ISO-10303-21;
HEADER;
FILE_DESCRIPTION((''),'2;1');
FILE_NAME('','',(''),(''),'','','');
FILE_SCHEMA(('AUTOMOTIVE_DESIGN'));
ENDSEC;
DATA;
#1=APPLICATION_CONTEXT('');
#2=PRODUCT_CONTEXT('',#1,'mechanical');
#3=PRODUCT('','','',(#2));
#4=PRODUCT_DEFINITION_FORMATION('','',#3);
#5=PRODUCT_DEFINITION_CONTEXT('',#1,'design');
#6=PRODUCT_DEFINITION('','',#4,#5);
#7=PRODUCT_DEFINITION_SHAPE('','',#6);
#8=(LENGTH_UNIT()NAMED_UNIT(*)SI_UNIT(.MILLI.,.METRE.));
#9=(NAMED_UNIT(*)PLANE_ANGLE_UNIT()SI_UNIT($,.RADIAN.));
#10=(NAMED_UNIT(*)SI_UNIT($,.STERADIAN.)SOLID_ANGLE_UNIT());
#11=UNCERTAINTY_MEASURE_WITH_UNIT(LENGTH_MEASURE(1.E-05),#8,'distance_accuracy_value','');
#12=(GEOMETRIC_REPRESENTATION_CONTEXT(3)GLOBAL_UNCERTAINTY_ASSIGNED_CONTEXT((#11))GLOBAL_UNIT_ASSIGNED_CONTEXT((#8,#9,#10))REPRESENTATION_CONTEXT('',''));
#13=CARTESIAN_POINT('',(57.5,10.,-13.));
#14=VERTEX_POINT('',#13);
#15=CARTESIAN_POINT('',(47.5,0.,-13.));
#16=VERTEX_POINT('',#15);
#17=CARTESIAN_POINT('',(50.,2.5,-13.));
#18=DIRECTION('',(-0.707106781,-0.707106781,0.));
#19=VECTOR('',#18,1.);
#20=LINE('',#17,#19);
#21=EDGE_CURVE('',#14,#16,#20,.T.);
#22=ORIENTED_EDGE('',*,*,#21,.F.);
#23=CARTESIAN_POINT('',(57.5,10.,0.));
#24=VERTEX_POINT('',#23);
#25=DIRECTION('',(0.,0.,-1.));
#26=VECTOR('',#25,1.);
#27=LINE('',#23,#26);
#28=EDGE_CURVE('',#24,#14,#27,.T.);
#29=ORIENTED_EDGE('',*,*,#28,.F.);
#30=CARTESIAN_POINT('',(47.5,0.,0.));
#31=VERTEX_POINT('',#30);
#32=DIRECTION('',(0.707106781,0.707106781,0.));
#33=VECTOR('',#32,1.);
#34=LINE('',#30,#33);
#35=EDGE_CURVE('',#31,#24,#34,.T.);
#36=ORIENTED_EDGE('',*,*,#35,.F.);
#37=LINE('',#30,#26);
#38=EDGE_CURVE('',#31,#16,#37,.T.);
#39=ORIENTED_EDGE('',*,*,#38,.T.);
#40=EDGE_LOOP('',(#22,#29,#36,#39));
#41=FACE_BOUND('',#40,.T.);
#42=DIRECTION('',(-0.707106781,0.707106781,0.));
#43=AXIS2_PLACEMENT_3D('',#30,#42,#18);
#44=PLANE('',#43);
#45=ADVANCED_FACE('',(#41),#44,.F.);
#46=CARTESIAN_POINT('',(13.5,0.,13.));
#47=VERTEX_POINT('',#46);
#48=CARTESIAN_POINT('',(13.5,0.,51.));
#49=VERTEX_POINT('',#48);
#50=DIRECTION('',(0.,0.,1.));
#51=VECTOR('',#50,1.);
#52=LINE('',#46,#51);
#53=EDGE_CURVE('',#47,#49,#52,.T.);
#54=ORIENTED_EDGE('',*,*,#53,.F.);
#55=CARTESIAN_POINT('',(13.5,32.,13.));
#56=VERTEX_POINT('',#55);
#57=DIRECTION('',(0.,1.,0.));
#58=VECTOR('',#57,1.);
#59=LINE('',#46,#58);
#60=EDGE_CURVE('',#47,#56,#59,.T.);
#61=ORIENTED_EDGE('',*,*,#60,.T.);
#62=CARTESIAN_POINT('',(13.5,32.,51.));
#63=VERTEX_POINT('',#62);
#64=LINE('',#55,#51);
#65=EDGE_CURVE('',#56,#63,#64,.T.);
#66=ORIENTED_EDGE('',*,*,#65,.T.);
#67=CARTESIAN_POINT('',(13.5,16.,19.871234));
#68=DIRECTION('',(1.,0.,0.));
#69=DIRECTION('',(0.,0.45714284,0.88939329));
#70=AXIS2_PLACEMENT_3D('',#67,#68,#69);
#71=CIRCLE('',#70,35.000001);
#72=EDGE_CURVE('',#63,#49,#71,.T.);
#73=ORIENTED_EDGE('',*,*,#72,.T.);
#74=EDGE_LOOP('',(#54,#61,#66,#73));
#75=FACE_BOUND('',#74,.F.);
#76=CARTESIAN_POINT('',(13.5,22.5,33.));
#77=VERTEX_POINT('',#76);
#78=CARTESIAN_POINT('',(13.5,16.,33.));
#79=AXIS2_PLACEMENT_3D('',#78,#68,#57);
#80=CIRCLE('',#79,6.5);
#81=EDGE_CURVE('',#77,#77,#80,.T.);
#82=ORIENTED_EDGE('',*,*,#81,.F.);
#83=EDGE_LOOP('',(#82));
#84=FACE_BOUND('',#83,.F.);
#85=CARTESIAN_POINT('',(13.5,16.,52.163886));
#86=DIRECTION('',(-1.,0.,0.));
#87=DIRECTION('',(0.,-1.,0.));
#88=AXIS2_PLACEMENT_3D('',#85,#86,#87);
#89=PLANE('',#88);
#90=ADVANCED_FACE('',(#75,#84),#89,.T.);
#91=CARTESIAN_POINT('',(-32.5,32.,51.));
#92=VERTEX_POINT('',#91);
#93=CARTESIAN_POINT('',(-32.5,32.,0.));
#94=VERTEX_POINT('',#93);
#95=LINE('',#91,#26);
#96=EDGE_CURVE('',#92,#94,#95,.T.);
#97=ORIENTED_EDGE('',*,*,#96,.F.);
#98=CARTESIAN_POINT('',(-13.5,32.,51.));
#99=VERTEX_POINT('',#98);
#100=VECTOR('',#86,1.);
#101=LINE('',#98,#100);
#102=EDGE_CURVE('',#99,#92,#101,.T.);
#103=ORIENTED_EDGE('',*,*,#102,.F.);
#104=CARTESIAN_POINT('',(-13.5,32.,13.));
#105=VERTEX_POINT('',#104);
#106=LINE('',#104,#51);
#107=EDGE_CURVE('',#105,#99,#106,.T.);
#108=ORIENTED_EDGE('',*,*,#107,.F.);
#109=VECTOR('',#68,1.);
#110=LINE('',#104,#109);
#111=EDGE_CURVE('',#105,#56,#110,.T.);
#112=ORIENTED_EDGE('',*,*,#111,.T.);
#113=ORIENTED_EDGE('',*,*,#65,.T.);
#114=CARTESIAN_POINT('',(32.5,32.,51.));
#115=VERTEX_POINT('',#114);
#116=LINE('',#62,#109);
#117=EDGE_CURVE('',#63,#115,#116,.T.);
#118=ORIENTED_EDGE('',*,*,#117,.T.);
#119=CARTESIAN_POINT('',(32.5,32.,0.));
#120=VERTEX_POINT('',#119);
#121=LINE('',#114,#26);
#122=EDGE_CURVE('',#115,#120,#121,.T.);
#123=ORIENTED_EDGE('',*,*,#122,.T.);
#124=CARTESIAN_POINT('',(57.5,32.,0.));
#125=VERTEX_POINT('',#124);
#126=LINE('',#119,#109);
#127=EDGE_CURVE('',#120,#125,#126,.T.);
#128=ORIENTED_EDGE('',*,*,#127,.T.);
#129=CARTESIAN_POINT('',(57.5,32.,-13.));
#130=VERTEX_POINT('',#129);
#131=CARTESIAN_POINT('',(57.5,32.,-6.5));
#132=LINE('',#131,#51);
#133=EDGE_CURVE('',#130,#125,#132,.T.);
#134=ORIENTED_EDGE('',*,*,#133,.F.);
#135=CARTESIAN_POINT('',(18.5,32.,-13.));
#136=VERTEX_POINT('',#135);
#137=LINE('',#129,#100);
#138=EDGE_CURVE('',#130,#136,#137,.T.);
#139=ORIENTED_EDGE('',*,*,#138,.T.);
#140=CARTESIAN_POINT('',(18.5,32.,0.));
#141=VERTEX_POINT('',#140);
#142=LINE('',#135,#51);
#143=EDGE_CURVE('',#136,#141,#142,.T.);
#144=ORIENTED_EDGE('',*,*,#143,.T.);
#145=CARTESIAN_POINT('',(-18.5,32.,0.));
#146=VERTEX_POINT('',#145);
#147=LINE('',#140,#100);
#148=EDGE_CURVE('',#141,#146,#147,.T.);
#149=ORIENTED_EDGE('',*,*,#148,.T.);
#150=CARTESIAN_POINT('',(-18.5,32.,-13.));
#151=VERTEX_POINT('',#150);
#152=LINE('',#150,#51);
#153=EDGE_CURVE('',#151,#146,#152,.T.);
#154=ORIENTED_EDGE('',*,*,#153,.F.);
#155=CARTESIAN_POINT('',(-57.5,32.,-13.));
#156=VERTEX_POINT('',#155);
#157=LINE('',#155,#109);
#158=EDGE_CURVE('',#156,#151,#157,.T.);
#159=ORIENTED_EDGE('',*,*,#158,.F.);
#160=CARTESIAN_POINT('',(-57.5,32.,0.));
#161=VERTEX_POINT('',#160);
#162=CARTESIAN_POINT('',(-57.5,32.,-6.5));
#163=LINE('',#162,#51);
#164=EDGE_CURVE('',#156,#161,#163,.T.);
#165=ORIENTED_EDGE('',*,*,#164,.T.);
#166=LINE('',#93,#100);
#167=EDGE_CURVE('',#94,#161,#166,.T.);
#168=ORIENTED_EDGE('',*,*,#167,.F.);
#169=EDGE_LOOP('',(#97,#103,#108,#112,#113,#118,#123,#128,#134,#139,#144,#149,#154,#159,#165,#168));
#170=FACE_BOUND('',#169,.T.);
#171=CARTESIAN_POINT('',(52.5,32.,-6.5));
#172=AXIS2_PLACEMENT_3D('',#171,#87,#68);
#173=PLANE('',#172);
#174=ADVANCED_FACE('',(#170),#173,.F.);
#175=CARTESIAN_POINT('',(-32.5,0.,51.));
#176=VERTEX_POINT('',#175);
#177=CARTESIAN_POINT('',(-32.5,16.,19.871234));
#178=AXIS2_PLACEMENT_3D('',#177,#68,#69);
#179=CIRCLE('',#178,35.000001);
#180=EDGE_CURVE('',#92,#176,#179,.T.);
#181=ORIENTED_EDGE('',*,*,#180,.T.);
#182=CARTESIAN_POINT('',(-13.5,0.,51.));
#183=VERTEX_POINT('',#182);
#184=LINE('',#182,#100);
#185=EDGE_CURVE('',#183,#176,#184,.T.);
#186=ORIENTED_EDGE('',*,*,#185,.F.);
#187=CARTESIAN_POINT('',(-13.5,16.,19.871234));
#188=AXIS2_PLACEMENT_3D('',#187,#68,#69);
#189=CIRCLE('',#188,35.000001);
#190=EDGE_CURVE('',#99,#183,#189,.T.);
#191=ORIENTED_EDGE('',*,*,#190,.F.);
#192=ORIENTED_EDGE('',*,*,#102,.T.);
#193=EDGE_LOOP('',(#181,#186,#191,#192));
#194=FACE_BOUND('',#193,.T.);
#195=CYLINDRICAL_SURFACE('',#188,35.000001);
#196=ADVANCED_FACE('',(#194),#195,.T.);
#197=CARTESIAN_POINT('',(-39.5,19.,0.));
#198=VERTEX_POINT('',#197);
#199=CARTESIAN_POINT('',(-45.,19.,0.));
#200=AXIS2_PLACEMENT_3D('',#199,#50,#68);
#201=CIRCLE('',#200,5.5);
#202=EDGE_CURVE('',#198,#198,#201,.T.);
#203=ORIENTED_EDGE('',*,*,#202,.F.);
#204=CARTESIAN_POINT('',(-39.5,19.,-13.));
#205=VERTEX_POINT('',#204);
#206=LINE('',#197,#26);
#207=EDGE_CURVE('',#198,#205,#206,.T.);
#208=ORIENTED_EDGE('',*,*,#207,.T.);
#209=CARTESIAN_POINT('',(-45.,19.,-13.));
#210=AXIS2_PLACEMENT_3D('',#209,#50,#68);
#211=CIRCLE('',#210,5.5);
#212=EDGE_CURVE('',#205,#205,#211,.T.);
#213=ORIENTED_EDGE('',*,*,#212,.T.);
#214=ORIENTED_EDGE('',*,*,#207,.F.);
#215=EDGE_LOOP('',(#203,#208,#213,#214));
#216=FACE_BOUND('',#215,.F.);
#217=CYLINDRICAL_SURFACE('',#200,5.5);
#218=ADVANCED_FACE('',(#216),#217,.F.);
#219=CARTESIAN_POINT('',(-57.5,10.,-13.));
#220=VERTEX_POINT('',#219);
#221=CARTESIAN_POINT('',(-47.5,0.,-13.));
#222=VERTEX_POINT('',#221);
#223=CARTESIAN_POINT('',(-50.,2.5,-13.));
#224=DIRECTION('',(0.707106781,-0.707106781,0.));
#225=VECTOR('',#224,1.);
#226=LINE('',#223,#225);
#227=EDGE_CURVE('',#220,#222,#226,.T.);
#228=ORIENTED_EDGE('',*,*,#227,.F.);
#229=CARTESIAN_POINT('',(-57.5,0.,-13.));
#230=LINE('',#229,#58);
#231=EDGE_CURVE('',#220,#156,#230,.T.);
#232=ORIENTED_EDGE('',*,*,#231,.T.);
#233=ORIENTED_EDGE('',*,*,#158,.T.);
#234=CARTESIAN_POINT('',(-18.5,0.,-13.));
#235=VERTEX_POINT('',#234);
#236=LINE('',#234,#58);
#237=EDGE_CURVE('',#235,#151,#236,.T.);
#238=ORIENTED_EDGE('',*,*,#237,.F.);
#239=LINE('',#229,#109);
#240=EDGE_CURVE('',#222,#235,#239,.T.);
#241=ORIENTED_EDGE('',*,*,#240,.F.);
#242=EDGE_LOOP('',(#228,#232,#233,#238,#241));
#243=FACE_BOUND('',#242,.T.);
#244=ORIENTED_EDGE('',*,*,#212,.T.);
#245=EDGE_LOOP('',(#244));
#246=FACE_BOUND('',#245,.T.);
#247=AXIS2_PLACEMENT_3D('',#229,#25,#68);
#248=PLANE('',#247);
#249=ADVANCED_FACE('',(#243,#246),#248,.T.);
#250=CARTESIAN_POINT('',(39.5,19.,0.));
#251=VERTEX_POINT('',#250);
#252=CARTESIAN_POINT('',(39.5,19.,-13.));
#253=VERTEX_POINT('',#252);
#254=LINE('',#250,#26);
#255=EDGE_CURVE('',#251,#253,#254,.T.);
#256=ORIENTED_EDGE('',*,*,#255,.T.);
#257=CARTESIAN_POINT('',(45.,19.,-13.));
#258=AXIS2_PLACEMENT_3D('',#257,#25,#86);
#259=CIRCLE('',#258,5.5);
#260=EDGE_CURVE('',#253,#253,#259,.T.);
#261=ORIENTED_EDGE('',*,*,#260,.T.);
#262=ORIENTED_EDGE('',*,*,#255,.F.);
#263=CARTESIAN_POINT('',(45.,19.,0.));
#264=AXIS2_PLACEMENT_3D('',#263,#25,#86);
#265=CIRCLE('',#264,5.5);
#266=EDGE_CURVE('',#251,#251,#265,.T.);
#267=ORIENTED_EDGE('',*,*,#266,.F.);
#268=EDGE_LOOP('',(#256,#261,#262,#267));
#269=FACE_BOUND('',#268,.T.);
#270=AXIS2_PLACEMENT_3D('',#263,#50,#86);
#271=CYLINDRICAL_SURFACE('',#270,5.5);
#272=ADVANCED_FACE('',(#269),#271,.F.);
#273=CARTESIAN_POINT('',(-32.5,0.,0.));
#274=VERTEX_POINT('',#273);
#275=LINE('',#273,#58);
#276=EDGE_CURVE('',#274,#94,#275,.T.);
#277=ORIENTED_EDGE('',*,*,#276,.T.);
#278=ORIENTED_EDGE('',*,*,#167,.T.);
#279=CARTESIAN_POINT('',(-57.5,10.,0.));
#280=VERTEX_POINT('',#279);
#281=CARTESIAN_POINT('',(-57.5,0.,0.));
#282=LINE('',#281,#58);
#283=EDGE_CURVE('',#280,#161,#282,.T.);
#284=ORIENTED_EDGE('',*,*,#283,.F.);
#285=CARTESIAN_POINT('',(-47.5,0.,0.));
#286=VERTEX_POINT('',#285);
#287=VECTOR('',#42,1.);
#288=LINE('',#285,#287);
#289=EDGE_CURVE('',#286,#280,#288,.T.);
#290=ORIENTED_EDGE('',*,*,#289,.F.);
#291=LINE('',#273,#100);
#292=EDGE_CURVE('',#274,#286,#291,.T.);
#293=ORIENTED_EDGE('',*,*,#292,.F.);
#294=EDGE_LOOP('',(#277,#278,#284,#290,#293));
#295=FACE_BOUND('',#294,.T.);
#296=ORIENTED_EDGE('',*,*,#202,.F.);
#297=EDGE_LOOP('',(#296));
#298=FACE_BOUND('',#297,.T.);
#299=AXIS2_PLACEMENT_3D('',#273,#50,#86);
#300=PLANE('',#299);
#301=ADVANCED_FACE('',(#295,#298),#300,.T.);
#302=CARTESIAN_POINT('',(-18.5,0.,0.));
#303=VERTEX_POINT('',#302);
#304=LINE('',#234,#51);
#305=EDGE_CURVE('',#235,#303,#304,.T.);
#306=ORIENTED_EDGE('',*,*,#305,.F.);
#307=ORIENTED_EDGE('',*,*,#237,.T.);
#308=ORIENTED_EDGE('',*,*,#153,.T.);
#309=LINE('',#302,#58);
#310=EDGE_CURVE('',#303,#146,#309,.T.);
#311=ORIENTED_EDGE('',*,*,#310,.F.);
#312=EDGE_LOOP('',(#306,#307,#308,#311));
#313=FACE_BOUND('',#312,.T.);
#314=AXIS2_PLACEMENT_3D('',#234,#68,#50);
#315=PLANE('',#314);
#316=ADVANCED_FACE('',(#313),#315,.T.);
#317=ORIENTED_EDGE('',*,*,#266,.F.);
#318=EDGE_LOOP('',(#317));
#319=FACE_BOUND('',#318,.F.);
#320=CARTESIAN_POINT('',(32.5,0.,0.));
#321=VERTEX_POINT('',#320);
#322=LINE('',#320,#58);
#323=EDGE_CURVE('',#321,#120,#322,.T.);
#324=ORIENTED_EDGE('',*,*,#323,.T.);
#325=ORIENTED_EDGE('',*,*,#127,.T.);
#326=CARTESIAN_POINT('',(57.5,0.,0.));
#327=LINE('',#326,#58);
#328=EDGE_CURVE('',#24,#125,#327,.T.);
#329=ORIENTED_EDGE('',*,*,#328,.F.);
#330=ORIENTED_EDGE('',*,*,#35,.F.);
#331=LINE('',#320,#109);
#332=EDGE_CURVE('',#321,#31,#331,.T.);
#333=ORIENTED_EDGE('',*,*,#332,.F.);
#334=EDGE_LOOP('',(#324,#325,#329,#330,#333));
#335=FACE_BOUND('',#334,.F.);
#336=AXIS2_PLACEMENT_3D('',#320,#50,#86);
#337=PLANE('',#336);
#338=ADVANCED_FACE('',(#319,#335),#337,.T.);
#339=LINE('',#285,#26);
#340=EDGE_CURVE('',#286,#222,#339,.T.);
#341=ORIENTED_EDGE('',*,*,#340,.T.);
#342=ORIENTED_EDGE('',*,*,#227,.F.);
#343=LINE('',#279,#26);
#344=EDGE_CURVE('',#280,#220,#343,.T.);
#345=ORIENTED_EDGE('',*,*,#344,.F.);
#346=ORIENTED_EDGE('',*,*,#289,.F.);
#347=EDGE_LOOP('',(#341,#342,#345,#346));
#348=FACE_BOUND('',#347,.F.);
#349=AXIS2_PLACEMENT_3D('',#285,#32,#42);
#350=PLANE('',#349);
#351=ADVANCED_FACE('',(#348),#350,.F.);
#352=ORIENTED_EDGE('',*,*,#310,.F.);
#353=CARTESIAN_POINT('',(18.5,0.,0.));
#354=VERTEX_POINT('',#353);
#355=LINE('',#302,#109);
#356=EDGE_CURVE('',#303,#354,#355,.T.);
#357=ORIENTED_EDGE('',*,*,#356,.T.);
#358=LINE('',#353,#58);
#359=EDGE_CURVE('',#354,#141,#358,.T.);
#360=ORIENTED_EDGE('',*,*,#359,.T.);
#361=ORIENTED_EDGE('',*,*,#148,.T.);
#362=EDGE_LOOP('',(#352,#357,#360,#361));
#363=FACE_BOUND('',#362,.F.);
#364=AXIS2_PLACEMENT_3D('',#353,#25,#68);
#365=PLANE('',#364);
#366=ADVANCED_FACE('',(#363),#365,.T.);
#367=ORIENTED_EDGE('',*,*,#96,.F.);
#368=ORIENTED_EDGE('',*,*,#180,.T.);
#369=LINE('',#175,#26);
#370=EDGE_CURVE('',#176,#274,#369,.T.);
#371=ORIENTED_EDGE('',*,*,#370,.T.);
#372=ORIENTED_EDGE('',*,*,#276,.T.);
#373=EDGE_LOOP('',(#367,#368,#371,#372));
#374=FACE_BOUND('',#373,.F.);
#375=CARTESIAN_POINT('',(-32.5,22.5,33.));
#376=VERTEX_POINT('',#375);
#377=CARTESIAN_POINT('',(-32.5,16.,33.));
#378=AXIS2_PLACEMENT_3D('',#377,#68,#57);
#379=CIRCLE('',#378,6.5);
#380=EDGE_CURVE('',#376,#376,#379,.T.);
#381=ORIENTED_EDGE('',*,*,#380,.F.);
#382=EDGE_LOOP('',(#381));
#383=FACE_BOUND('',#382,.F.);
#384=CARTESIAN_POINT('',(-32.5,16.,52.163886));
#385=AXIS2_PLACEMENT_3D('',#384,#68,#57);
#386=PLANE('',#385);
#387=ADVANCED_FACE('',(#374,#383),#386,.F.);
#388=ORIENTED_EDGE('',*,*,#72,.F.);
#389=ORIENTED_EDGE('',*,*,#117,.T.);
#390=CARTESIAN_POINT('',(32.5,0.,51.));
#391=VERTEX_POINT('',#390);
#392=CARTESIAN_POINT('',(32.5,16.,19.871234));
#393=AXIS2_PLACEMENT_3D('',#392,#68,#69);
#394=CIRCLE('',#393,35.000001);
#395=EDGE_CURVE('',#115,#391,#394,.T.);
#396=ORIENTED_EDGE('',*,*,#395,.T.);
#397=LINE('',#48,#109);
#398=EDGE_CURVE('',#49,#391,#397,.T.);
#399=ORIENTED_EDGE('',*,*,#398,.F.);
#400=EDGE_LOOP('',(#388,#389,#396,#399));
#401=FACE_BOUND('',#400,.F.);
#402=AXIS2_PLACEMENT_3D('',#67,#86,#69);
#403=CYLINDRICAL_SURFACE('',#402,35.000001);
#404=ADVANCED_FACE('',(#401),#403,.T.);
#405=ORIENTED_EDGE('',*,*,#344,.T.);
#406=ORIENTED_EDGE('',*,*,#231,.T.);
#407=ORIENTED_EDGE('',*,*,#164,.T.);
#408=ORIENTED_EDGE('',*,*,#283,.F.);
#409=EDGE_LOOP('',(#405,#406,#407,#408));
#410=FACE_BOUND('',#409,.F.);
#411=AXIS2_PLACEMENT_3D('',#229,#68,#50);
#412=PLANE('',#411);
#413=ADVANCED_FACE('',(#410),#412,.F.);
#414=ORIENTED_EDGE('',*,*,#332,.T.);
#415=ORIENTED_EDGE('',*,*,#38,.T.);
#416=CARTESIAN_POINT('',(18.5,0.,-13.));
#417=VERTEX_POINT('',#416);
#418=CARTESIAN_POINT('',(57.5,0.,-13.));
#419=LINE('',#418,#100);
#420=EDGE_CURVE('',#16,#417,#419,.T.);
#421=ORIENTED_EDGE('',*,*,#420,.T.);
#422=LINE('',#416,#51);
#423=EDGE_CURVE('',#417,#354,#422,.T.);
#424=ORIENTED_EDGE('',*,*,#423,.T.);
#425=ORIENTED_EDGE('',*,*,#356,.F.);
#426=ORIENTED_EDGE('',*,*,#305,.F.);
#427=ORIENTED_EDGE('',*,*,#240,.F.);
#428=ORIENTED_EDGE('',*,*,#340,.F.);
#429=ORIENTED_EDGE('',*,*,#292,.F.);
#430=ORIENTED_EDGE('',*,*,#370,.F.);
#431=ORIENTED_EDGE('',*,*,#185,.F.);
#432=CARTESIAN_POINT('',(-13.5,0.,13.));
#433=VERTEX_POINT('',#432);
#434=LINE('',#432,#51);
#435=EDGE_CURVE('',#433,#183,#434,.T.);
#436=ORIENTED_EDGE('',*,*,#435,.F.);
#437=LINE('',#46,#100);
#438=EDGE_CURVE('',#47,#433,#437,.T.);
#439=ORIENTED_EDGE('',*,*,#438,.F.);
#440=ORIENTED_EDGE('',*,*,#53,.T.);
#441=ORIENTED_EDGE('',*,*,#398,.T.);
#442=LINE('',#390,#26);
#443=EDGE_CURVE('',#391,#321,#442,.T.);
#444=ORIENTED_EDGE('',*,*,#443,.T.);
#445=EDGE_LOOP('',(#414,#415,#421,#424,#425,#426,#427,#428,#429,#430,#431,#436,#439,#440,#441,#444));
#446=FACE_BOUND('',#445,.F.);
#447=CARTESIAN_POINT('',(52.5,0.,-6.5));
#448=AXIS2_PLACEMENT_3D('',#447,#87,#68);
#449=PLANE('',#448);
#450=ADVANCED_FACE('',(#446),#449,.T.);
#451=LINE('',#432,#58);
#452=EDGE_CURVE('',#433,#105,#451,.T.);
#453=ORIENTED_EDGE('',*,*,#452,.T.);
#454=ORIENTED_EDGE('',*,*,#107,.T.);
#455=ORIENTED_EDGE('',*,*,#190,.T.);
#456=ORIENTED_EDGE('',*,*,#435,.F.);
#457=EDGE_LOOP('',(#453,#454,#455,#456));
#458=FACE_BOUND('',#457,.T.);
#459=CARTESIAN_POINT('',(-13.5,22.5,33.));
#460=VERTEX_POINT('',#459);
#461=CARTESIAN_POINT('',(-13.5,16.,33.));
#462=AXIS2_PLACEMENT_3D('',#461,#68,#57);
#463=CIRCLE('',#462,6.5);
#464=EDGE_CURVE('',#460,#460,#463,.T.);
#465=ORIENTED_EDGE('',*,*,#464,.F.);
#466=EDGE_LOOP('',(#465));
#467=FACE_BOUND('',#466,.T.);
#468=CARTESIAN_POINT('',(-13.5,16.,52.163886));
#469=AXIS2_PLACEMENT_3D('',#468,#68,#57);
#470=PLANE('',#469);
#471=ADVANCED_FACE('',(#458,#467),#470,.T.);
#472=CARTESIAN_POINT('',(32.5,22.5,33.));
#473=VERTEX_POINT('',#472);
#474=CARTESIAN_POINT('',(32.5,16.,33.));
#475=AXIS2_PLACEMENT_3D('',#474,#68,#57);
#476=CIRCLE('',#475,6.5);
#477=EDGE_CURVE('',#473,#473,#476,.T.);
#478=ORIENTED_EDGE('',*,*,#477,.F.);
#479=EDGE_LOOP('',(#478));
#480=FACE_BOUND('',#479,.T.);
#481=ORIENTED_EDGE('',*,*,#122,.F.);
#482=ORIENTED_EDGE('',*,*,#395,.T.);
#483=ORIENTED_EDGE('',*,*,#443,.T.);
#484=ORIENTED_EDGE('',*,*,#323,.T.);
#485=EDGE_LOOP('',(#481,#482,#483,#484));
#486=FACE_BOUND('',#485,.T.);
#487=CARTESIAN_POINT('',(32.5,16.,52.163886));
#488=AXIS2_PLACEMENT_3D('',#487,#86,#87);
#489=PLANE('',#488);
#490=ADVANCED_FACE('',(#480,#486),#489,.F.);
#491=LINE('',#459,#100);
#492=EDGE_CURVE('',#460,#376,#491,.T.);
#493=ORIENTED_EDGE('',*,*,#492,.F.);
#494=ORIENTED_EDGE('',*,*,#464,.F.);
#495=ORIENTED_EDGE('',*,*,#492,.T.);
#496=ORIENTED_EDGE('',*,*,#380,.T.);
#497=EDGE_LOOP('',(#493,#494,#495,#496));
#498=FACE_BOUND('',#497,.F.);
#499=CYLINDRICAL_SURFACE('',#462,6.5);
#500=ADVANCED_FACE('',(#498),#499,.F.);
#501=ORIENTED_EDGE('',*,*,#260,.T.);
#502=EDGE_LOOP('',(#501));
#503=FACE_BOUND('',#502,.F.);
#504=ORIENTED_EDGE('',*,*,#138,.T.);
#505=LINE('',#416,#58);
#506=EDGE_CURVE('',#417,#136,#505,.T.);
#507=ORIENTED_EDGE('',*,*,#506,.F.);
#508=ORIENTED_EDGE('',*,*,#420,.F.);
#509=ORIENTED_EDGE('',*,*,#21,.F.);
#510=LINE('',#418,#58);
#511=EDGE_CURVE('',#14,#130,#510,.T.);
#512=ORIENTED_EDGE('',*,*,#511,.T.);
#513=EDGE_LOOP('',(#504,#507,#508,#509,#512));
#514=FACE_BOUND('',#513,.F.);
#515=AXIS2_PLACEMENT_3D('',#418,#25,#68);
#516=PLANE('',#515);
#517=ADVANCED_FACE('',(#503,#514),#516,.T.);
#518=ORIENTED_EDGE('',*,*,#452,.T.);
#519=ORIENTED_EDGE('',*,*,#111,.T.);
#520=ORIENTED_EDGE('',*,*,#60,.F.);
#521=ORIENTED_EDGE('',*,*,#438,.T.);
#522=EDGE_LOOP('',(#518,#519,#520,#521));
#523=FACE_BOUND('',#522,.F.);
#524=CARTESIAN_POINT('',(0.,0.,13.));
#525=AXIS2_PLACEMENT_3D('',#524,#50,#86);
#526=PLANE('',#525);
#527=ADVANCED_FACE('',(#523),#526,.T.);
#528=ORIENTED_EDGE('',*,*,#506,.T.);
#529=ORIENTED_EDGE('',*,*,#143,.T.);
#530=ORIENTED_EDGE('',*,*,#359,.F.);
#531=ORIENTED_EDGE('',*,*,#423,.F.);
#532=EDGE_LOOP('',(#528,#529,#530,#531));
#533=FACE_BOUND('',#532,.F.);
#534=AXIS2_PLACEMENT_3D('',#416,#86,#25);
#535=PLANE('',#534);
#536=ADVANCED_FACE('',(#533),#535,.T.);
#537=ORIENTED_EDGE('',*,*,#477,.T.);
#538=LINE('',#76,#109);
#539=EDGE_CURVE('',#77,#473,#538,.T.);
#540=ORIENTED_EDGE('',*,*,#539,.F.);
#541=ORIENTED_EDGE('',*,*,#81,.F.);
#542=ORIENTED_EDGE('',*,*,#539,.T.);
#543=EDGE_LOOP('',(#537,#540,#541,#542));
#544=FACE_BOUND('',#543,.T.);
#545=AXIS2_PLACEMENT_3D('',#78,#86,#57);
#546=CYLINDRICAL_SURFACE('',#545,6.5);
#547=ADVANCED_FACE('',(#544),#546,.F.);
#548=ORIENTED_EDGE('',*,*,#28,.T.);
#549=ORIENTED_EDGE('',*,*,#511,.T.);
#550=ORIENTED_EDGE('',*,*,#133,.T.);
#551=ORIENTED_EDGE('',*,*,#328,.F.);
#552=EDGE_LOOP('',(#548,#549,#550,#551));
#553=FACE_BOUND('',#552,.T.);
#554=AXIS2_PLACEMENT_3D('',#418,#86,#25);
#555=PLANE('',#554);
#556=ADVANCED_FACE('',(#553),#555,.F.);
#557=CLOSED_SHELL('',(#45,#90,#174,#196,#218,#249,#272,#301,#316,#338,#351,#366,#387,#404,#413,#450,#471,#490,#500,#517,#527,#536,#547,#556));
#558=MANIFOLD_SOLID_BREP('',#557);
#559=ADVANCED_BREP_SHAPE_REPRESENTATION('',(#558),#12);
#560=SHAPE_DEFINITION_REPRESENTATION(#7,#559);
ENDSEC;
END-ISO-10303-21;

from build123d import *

# Parameters (mm, degrees)
F0_W     = 10
F0_H     = 13
F1_DEPTH = 32
F2_R     = 5.5
F3_DEPTH = 25
F4_R     = 6.5
F5_DEPTH = 25
F7_DEPTH = 19


with BuildPart() as f1:
    # F0 (on Front) → F1 (new body)
    with BuildSketch(Plane.XZ):
        with Locations((-52.5, -6.5)):
            Rectangle(F0_W, F0_H)
        Polygon((-47.5, 0), (-47.5, -13), (-18.5, -13), (-18.5, 0), (0, 0), (0, 13), (-13.5, 13), (-13.5, 51), (-32.5, 51), (-32.5, 0), align=None)
    extrude(amount=-F1_DEPTH)

    # F2 (on face) → F3 (cut)
    with BuildSketch(Plane.XY):
        with Locations((-45, 19)):
            Circle(F2_R)
        Polygon((-57.5, 0), (-47.5, 0), (-57.5, 10), align=None)
    extrude(amount=-F3_DEPTH, mode=Mode.SUBTRACT)

    # F4 (on face) → F5 (cut)
    with BuildSketch(Plane.YZ.offset(-13.5)):
        with Locations((16, 33)):
            Circle(F4_R)
    extrude(amount=-F5_DEPTH, mode=Mode.SUBTRACT)

    # F6 (on face) → F7 (join)
    with BuildSketch(Plane.YZ.offset(-13.5)):
        with BuildLine():
            Line((0, 51), (32, 51))
            ThreePointArc((32, 51), (16, 54.871235), (0, 51))
        make_face()
    extrude(amount=-F7_DEPTH)

    # F8: F1 across plane


with BuildPart() as f1_1:
    add(f1.part)
    add(f1.part.mirror(Plane.YZ))


solid = f1_1.part
